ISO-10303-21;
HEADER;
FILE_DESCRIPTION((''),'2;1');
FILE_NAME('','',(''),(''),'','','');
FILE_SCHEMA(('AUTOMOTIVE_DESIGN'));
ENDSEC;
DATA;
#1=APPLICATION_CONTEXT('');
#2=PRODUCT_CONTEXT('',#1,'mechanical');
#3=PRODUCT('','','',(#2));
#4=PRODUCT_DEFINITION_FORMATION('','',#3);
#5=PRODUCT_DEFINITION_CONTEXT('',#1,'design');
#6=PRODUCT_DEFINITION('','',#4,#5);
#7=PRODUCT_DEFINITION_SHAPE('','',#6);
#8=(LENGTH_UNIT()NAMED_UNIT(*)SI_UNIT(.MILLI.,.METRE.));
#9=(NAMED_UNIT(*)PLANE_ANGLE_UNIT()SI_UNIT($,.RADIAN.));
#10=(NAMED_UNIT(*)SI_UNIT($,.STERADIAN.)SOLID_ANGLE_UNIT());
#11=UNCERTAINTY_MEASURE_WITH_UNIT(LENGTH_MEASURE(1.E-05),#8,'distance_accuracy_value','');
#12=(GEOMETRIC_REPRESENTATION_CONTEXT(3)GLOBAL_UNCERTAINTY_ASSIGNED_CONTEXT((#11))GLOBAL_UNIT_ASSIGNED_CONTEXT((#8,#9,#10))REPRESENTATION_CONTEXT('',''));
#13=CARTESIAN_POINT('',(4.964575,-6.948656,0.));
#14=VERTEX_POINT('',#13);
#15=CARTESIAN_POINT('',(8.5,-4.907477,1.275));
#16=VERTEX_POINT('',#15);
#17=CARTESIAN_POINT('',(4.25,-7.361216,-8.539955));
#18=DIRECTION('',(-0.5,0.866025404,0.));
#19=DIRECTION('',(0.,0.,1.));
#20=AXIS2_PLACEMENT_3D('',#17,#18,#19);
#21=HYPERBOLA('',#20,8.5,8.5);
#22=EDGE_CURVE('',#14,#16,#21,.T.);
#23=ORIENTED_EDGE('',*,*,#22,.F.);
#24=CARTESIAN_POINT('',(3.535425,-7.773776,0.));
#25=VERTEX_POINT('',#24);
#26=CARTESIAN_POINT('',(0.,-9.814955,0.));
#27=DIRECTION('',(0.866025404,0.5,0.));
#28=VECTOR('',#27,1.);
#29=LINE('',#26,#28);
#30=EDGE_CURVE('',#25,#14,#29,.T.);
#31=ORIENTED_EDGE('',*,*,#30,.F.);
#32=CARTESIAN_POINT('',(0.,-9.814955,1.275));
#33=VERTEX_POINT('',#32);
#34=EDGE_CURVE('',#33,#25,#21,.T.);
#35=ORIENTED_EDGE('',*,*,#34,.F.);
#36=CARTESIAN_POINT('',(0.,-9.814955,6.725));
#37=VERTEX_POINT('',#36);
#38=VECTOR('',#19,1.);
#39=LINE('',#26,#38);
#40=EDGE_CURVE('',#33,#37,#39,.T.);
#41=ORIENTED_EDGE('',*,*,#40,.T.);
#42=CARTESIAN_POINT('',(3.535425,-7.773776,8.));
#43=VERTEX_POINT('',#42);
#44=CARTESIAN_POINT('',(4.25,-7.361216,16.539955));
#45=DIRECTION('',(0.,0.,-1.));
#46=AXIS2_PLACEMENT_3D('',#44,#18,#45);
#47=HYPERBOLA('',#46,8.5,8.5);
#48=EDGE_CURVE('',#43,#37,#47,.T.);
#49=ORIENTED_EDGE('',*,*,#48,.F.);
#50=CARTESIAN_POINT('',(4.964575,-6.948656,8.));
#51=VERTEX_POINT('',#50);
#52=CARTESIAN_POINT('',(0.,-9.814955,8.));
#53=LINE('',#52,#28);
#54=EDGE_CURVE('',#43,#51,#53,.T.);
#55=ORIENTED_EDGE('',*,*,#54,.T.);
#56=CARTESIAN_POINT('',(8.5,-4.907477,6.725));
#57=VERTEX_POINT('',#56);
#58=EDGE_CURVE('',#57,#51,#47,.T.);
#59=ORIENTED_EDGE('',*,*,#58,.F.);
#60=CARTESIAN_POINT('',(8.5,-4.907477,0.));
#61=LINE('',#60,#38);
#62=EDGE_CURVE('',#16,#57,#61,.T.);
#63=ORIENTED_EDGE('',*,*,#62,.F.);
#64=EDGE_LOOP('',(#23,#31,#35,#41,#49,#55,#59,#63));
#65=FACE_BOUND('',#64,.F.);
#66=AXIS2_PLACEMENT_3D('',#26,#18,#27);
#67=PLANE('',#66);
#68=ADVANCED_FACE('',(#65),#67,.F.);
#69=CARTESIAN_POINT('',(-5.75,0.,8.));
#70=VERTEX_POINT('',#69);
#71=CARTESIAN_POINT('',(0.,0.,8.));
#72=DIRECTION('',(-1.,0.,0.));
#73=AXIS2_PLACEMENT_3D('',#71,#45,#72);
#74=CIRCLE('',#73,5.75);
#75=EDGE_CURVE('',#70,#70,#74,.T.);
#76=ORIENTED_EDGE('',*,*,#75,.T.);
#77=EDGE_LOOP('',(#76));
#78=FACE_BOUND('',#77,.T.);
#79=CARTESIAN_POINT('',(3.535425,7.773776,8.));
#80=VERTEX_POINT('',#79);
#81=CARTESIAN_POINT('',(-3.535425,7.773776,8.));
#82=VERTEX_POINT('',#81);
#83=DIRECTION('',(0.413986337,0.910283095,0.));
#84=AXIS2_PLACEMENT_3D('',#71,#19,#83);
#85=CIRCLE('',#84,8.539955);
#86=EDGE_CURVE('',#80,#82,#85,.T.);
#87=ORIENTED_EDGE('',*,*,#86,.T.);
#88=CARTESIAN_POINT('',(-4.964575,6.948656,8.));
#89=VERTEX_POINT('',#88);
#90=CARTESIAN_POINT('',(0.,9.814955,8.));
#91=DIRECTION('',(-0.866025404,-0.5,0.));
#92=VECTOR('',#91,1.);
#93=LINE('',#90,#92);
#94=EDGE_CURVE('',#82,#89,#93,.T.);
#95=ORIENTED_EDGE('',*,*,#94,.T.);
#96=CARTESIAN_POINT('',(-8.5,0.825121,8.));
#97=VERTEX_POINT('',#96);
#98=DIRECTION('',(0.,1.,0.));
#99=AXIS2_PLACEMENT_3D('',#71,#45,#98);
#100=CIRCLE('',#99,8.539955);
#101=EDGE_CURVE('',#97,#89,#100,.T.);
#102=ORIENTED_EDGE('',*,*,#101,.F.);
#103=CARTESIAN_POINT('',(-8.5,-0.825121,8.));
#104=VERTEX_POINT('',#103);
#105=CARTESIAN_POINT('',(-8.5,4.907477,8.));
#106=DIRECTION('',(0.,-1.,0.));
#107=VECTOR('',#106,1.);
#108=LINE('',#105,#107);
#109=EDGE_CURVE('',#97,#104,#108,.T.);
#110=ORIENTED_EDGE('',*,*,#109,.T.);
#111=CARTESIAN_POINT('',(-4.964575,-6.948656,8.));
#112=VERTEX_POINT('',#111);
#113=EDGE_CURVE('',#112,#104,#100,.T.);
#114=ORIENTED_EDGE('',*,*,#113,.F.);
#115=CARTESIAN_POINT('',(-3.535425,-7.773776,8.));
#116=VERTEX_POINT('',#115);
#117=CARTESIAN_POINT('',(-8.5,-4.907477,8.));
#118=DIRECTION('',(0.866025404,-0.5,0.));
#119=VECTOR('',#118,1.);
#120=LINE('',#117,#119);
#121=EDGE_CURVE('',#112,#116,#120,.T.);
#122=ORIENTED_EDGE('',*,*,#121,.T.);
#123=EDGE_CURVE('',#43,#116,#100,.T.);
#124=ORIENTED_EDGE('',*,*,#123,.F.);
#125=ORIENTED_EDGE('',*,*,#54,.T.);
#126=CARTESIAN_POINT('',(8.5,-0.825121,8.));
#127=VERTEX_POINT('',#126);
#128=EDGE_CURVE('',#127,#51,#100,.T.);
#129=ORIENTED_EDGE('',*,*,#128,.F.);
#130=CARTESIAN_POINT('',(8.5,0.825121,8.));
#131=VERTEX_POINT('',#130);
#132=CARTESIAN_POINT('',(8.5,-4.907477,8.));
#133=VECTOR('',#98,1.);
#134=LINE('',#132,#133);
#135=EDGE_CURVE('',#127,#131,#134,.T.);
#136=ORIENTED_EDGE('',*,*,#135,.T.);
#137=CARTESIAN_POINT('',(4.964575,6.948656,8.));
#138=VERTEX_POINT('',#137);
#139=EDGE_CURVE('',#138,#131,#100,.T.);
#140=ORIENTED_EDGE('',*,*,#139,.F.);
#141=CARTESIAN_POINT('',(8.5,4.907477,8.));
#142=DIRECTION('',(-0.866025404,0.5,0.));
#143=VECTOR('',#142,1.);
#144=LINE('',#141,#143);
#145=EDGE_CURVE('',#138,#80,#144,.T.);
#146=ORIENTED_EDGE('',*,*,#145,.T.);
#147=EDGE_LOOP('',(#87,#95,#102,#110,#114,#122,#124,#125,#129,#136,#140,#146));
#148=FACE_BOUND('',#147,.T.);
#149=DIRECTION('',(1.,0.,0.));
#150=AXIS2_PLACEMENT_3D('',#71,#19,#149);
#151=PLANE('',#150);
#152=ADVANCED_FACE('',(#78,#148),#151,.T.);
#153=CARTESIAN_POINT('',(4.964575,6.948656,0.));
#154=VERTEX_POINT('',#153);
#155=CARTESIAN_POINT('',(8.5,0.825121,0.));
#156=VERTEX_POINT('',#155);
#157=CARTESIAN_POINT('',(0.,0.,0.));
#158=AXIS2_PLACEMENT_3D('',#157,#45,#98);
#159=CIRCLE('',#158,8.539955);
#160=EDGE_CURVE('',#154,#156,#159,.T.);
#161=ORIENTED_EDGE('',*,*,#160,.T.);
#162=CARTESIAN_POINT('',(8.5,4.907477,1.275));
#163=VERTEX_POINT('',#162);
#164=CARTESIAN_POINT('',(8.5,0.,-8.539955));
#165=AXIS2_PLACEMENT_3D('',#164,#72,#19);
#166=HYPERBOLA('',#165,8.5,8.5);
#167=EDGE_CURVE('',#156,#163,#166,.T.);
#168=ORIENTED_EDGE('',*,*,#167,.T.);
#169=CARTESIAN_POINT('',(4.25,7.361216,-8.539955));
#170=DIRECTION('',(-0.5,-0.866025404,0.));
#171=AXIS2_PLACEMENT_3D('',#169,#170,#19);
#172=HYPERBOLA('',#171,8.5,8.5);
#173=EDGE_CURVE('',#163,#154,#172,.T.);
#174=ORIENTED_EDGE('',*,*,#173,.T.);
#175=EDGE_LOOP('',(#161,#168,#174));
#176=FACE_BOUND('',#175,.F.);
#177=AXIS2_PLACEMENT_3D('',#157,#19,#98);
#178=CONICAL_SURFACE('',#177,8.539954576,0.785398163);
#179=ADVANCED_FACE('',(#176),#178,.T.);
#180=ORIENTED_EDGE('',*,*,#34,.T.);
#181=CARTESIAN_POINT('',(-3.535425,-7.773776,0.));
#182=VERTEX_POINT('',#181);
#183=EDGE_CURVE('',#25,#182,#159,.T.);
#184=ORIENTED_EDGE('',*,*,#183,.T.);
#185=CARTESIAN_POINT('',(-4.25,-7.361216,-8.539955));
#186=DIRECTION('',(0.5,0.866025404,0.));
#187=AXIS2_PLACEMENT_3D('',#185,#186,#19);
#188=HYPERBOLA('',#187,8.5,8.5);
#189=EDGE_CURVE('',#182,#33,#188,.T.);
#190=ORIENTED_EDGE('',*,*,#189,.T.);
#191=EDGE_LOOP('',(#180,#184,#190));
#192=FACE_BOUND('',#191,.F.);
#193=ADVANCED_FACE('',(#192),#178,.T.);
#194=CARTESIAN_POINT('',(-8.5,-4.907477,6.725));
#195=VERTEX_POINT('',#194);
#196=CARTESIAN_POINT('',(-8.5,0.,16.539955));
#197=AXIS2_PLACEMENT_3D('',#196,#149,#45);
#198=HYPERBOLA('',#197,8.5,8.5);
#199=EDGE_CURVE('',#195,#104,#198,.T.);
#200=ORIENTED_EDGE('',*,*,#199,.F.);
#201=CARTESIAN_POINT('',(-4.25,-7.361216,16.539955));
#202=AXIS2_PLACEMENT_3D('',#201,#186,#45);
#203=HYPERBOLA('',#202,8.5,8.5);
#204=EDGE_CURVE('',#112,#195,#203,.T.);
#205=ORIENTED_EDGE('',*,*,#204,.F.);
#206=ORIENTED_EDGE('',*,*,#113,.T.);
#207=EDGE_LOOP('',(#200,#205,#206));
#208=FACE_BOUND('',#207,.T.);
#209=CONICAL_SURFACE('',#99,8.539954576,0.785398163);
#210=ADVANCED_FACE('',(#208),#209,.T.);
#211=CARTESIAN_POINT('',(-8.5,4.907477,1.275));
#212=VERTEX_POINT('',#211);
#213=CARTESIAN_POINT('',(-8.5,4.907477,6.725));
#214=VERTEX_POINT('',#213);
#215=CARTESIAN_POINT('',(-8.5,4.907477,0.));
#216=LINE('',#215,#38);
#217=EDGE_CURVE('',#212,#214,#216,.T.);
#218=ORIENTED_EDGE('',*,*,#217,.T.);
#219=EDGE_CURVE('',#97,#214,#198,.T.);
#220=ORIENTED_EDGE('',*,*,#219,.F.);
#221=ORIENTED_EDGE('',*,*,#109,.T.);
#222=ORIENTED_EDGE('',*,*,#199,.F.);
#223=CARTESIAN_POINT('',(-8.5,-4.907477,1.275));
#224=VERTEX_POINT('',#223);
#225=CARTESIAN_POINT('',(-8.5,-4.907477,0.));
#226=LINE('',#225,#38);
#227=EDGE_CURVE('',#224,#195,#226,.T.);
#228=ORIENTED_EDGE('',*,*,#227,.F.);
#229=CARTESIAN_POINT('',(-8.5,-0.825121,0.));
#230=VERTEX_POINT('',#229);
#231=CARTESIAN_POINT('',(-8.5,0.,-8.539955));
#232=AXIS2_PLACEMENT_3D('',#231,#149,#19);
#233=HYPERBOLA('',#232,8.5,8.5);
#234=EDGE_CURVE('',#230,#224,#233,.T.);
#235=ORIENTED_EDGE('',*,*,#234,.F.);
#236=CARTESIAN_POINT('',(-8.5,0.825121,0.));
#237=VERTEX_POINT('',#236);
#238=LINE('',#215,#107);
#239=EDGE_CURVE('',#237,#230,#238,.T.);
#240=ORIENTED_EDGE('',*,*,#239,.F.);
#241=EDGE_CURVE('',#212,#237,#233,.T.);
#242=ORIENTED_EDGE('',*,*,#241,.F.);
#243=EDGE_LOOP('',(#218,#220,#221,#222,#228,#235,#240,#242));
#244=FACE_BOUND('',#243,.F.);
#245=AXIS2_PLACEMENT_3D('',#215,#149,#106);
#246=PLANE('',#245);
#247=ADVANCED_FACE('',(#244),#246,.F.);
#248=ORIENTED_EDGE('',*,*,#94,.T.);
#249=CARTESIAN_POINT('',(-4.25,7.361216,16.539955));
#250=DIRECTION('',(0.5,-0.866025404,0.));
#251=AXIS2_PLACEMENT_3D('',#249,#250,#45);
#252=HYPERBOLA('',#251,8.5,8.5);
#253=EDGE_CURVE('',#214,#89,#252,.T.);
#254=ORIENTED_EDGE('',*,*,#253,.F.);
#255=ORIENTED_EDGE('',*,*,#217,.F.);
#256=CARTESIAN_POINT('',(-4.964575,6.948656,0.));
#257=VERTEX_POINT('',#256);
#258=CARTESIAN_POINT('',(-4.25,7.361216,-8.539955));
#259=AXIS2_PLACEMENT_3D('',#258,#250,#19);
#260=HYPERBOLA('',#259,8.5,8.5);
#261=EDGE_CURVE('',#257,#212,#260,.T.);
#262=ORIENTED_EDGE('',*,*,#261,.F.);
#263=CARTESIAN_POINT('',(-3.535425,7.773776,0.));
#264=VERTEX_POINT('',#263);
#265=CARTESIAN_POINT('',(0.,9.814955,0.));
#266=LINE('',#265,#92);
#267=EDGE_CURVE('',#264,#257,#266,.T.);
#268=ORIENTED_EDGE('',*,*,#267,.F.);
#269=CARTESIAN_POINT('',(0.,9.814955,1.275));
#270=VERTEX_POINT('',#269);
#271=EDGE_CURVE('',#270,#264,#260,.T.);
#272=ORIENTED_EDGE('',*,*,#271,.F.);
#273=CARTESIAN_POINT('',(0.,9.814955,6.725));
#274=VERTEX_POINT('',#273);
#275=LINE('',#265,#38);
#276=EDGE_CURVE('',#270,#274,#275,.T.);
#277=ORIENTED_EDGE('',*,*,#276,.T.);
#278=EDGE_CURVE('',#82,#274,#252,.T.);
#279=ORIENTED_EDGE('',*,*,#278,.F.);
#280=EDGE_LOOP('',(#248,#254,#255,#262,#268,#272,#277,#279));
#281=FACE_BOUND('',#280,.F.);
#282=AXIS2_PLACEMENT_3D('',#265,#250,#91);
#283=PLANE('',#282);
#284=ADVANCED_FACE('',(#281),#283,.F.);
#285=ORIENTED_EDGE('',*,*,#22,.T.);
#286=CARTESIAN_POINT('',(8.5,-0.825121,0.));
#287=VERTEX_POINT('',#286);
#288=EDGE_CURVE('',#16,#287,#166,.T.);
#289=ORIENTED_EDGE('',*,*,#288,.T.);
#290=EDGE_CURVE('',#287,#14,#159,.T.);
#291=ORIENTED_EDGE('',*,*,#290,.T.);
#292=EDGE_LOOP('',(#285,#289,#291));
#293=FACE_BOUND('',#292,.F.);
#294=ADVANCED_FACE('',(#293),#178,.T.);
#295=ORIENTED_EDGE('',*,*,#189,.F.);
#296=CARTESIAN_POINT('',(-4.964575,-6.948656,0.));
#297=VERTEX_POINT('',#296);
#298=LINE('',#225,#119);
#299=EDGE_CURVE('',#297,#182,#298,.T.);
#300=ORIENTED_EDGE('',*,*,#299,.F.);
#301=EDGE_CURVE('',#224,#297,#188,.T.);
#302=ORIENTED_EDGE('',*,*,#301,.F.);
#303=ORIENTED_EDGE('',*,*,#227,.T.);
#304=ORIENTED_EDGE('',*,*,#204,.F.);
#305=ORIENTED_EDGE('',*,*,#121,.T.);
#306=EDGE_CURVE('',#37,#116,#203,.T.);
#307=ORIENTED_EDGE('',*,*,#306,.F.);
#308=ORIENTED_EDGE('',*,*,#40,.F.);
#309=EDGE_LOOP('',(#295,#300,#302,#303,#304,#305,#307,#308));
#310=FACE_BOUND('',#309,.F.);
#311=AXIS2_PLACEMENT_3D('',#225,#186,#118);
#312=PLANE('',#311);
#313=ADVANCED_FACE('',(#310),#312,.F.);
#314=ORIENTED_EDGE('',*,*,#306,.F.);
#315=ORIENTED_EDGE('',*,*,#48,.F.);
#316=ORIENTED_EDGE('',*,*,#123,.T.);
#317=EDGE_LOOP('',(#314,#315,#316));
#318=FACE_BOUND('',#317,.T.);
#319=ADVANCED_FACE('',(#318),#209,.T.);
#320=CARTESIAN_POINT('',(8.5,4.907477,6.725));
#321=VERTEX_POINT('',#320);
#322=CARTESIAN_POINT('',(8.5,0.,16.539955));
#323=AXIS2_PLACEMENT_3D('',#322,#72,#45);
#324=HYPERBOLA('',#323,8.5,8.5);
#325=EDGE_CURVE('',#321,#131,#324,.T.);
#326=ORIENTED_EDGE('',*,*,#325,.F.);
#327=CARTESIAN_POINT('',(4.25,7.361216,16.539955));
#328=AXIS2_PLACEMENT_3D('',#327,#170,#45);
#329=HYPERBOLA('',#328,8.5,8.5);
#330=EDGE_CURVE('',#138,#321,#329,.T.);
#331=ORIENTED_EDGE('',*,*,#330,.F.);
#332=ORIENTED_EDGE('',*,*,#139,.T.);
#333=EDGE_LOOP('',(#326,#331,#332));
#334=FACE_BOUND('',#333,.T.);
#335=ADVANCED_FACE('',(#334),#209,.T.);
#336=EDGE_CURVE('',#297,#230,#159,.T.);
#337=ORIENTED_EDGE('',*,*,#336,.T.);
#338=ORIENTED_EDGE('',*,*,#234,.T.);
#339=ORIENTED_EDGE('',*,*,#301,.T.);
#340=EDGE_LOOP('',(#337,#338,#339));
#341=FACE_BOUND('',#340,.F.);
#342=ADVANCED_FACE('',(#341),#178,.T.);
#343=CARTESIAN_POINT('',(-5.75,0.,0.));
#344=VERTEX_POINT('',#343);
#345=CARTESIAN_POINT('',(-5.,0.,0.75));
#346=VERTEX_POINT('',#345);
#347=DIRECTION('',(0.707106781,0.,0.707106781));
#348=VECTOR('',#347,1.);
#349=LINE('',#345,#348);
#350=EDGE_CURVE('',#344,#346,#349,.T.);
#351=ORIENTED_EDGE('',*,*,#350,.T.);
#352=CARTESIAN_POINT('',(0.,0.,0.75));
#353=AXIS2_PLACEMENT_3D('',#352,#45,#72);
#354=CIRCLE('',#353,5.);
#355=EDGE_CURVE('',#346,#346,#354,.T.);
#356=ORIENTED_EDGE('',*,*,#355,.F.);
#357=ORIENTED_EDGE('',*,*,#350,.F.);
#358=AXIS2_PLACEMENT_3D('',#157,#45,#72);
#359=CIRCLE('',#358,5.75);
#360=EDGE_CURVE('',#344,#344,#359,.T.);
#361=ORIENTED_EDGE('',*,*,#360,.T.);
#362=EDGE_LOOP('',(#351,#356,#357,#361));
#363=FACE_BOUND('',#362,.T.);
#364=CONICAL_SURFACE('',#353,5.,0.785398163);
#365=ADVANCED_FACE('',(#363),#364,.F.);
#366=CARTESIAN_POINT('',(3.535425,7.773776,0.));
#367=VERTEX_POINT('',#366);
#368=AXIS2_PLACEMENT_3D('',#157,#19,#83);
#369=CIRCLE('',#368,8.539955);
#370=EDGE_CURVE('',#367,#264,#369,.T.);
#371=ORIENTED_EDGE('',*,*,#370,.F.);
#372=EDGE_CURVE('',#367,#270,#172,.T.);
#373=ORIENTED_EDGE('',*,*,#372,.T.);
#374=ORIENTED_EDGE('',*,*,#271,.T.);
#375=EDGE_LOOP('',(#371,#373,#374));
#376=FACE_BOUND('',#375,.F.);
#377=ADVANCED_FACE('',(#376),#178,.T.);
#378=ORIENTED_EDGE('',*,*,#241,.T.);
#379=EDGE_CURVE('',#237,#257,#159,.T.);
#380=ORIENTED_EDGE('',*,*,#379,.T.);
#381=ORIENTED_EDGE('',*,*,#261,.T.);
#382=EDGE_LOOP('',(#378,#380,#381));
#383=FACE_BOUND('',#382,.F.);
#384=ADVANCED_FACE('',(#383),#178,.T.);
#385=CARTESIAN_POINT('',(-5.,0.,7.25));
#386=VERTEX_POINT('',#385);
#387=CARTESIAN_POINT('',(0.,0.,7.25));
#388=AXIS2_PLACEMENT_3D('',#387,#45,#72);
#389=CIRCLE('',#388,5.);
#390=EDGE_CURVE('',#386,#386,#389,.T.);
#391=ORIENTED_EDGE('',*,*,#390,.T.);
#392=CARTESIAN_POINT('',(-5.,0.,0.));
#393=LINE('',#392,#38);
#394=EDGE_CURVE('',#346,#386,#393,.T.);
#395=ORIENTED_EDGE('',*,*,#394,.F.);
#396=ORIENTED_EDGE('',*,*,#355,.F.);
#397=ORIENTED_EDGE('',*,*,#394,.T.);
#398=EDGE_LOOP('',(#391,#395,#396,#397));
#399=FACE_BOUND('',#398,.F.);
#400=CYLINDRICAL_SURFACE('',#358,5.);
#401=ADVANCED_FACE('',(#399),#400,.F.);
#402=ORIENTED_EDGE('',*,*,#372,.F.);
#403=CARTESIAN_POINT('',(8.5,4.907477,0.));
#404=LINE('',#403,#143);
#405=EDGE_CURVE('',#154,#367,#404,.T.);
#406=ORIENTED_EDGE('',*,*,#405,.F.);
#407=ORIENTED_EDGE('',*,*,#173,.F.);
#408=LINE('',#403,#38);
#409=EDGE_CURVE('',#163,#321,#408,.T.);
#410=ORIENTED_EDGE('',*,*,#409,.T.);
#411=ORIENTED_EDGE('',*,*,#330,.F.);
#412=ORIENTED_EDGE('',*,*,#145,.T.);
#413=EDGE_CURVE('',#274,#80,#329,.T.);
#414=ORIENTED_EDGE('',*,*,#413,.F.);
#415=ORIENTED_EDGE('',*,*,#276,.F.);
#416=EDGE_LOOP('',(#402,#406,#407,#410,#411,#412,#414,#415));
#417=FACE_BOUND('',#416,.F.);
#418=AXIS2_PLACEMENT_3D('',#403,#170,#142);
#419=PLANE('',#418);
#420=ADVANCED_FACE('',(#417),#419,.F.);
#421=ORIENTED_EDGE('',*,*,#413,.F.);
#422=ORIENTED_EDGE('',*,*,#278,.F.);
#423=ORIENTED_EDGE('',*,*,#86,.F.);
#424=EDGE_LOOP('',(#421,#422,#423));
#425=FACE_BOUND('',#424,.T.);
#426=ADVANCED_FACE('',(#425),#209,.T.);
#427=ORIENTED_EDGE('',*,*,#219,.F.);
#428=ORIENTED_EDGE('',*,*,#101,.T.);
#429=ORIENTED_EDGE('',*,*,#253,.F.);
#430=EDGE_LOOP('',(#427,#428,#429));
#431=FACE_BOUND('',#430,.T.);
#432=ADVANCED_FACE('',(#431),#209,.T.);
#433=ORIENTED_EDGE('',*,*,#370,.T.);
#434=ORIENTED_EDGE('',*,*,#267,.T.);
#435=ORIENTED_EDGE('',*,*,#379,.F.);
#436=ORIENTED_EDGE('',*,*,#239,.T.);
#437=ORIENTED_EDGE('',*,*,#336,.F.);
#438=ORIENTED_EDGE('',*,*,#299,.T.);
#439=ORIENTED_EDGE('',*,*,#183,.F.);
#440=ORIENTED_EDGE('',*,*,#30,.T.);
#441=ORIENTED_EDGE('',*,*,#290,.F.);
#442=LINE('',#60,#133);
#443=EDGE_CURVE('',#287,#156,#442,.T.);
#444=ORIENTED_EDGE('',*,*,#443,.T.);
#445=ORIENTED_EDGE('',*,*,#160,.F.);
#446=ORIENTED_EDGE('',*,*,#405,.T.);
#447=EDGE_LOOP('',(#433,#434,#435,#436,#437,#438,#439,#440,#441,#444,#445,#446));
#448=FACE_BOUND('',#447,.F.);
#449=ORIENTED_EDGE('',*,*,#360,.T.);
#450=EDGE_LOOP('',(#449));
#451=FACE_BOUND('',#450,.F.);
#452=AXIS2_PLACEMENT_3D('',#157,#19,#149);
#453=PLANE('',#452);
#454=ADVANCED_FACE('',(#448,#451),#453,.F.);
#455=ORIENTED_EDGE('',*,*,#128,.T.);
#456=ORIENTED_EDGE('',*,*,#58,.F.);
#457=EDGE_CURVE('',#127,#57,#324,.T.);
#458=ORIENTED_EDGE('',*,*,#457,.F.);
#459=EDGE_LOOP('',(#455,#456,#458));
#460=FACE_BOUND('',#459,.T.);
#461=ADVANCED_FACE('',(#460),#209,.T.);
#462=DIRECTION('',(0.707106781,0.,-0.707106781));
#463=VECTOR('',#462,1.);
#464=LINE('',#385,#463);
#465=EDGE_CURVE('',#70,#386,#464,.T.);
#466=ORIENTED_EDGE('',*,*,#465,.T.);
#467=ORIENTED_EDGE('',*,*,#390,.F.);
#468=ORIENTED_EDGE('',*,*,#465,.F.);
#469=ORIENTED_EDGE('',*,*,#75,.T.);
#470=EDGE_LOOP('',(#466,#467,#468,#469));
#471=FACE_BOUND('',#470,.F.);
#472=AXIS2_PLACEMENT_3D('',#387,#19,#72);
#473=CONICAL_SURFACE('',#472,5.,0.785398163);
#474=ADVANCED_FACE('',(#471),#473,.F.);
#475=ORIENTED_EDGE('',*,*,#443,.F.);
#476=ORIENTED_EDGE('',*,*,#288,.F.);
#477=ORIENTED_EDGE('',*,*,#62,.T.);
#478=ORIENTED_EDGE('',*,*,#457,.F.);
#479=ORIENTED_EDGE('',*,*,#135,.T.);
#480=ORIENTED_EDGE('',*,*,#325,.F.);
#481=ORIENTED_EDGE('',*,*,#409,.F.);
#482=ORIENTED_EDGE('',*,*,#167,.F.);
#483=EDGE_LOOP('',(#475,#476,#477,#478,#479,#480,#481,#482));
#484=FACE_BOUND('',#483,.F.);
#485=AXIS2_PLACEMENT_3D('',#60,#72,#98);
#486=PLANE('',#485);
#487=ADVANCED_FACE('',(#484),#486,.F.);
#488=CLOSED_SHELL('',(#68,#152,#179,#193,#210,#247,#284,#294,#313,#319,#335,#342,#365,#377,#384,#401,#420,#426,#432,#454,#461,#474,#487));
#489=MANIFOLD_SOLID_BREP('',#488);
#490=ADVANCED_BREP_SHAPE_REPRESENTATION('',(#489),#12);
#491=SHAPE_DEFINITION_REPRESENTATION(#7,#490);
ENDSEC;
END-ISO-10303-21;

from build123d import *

# Parameters (mm, degrees)
EXTRUDE_1_DEPTH     = 8
SKETCH_2_R          = 5
CUT_EXTRUDE_1_DEPTH = 16.250683045
CHAMFER_1_SIZE      = 0.75


with BuildPart() as part:
    # Эскиз1 → Вытянуть1 (new body)
    with BuildSketch(Plane.XY):
        Polygon((0, 9.814954576), (-8.5, 4.907477288), (-8.5, -4.907477288), (0, -9.814954576), (8.5, -4.907477288), (8.5, 4.907477288), align=None)
    extrude(amount=EXTRUDE_1_DEPTH)

    # Эскиз15 → Вырез-Повернуть1 (revolve, cut)
    with BuildSketch(Plane(origin=(0, 0, 0), x_dir=(0, 0, -1), z_dir=(1, 0, 0))):
        Polygon((-8, 9.814954576), (-8, 8.539954576), (-6.725, 9.814954576), align=None)
        Polygon((-1.275, 9.814954576), (0, 9.814954576), (0, 8.539954576), align=None)
    revolve(axis=Axis((0, 0, 2.633835381), (0, 0, -1)), mode=Mode.SUBTRACT)

    # Эскиз2 → Вырез-Вытянуть1 (cut, through all)
    with BuildSketch(Plane(origin=(0, 0, 0), x_dir=(-1, 0, 0), z_dir=(0, 0, -1))):
        Circle(SKETCH_2_R)
    extrude(amount=-CUT_EXTRUDE_1_DEPTH, mode=Mode.SUBTRACT)

    # Фаска1
    chamfer_1_edges = [part.edges().sort_by_distance(p)[0] for p in [
        (5, 0, 8),
        (5, 0, 0),
    ]]
    chamfer(chamfer_1_edges, length=CHAMFER_1_SIZE)


solid = part.part
